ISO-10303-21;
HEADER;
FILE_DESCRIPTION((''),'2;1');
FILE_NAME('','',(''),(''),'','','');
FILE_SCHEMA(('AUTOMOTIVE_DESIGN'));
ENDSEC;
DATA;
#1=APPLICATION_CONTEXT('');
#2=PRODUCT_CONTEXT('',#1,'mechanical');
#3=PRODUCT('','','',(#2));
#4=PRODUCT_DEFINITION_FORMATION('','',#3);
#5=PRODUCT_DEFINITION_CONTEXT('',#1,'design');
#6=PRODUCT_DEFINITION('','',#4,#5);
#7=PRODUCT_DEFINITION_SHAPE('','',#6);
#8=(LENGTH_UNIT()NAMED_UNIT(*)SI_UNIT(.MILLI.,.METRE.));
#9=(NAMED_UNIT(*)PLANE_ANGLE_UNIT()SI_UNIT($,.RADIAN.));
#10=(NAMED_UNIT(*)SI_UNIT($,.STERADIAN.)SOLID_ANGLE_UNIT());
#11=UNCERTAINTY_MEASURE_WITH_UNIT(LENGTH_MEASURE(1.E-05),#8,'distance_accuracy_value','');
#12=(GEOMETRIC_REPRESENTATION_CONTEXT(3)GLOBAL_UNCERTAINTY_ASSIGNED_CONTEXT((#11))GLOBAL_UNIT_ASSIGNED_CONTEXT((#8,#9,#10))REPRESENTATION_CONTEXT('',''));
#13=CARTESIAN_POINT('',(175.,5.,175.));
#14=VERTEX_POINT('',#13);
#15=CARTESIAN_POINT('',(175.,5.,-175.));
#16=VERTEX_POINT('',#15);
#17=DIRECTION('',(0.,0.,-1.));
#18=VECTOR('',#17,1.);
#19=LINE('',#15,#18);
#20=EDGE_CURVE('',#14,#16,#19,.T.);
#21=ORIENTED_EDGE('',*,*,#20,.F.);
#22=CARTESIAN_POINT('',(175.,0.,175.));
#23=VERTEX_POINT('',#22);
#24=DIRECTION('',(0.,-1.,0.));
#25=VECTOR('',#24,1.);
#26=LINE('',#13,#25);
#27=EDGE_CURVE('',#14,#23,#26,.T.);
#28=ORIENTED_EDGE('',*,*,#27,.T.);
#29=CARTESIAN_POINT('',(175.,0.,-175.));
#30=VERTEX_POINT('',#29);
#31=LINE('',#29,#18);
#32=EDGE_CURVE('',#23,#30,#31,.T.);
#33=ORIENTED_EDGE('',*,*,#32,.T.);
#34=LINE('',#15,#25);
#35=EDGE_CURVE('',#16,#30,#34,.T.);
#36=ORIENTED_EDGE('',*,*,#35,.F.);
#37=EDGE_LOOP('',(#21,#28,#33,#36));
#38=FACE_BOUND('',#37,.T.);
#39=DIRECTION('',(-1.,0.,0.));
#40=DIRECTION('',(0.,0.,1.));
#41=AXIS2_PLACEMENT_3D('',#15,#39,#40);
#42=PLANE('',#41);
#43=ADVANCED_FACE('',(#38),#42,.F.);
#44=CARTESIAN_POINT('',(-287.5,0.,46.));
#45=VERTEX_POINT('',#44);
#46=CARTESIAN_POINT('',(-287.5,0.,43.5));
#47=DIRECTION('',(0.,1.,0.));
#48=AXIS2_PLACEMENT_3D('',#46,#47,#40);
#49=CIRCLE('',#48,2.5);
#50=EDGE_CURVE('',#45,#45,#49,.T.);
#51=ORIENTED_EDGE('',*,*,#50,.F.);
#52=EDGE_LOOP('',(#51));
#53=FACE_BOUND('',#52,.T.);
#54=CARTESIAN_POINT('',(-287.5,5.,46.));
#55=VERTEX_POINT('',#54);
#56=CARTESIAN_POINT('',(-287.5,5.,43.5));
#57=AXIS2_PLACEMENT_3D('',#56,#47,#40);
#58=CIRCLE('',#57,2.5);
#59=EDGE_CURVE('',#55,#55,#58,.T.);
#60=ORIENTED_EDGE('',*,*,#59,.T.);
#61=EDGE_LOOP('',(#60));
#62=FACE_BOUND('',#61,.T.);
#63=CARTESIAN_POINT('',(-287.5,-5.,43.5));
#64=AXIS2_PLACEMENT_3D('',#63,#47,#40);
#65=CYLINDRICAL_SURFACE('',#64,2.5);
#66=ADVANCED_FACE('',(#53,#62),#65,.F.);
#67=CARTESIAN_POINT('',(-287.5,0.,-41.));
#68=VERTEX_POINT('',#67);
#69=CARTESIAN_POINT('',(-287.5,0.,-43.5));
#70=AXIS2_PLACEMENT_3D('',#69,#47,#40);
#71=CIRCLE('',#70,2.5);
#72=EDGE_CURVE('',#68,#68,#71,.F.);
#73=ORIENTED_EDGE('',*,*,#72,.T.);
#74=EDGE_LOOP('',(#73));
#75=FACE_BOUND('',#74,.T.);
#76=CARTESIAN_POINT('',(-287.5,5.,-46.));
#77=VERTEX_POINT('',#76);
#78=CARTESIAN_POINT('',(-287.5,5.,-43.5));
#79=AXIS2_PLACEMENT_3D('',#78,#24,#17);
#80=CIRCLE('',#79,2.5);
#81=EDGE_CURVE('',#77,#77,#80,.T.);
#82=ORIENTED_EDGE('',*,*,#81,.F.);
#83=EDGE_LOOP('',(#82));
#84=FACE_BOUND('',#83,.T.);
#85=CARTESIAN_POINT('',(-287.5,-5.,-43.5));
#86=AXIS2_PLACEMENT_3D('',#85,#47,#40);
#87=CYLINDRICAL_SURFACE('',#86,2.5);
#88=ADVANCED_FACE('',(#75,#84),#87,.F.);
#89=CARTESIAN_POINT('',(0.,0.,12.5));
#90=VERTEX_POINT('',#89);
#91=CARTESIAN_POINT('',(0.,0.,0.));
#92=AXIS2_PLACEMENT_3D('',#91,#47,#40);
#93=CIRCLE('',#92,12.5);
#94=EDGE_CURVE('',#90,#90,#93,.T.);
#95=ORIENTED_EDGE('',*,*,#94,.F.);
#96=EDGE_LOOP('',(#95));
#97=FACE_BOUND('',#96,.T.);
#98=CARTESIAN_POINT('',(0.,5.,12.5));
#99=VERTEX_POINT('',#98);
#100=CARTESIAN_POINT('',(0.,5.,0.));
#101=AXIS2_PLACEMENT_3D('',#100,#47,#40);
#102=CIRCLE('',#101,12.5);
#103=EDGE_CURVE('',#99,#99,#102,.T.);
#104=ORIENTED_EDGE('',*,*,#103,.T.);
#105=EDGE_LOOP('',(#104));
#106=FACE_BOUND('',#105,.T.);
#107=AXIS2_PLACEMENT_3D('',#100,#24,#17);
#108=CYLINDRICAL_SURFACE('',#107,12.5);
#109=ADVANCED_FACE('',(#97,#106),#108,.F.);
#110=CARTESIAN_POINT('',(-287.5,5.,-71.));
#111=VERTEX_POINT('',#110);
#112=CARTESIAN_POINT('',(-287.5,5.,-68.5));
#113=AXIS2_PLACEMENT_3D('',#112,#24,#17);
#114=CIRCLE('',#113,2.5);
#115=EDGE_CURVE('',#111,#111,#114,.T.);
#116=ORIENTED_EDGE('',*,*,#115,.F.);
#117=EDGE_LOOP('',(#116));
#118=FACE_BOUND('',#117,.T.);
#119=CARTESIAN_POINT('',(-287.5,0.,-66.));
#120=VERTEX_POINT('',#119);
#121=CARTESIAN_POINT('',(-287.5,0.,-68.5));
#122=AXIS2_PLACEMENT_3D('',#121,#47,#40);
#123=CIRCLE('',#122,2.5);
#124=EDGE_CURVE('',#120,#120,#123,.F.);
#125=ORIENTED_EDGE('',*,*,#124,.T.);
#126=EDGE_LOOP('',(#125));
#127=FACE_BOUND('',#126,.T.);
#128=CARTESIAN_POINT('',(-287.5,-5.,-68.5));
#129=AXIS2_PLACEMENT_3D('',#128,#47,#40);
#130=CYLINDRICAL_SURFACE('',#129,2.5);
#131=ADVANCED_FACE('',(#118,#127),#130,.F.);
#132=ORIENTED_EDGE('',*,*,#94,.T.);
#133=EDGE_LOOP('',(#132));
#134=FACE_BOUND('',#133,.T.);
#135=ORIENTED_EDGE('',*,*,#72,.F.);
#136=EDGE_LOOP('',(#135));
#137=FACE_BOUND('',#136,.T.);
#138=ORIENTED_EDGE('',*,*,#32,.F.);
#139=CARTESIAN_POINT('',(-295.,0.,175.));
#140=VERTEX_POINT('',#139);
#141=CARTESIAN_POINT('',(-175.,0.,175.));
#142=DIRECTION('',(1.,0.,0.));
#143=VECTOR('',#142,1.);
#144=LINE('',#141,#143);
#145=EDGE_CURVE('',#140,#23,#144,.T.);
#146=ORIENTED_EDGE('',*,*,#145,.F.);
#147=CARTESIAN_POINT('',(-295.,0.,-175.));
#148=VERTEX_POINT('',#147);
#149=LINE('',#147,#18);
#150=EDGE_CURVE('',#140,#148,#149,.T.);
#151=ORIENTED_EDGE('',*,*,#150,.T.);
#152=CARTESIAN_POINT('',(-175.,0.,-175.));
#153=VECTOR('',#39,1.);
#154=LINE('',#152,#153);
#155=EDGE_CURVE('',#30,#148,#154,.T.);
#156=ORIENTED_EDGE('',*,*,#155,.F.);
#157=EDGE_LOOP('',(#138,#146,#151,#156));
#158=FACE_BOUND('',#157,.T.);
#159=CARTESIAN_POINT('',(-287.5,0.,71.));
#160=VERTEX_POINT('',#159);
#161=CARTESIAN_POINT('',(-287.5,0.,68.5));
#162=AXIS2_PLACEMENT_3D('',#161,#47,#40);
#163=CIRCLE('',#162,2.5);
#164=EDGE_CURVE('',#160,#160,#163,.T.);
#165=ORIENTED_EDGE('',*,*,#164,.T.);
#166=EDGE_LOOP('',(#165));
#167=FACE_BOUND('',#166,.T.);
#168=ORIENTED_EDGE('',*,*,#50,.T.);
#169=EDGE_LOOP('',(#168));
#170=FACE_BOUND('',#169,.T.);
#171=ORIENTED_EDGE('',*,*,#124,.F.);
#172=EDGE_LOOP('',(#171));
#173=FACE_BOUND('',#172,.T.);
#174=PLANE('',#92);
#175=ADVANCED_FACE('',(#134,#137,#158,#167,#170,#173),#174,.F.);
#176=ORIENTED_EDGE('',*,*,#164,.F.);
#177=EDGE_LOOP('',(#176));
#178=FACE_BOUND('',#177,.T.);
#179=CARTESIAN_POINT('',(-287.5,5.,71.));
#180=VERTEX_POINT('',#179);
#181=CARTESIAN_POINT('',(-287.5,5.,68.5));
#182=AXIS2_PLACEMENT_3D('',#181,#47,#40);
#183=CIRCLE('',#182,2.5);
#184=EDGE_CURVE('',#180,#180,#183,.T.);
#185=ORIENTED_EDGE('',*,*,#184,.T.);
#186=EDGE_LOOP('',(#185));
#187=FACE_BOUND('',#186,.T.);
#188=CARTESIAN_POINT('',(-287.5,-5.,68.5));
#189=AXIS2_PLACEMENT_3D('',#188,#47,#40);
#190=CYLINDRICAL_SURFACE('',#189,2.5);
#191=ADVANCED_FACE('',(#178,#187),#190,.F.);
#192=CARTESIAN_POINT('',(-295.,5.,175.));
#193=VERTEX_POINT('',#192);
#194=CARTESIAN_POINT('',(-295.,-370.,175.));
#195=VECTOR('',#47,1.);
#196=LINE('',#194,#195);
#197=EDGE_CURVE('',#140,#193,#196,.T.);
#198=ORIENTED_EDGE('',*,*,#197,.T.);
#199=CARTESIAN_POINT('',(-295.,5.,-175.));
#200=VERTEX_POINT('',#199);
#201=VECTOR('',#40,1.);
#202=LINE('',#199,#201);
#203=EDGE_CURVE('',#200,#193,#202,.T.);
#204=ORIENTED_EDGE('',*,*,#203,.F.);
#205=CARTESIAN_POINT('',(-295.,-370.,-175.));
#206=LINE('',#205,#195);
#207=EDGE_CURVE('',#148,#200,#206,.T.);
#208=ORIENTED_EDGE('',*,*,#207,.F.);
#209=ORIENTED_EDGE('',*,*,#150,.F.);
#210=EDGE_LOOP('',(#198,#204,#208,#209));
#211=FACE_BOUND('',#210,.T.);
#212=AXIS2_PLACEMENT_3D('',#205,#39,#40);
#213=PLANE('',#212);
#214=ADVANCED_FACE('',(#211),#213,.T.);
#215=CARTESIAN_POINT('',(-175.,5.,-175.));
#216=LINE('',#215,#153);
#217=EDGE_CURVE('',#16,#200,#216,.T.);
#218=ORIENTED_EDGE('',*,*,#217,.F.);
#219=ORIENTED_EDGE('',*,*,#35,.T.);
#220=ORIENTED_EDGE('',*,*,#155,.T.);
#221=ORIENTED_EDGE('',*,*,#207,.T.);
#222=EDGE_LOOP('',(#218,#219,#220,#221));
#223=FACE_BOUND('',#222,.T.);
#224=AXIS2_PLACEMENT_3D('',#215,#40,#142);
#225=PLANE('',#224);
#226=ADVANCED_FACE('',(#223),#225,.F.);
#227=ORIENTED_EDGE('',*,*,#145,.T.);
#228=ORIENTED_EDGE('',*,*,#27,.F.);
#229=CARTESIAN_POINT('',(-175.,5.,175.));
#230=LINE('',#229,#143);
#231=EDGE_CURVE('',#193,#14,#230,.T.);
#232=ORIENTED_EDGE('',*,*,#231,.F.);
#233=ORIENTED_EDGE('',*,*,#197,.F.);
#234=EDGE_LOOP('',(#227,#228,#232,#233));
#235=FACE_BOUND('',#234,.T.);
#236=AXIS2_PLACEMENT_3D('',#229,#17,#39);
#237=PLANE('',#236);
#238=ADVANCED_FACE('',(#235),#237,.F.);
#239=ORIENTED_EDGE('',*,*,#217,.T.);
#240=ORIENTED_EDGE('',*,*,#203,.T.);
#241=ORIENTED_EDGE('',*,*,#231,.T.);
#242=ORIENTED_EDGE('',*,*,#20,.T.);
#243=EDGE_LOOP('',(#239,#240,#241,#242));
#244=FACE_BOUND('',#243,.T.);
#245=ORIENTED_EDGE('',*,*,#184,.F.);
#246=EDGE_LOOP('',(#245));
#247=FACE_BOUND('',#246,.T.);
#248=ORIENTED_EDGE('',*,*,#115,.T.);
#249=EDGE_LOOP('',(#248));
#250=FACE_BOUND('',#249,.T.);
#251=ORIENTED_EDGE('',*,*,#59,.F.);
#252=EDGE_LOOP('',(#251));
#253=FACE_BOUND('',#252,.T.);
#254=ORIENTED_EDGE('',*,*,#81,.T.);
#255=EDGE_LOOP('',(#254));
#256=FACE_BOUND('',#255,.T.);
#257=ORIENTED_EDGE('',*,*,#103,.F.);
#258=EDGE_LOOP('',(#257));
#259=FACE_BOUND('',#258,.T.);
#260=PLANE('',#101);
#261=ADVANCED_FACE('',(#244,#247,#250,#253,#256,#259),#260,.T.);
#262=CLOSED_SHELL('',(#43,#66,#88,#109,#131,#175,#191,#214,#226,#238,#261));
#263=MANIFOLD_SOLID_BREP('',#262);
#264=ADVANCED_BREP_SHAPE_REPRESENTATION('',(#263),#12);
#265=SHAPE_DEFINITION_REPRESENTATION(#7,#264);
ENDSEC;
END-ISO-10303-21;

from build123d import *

# Parameters (mm, degrees)
SKETCH6_W           = 350
SKETCH6_H           = 350
SKETCH6_R           = 12.5
BOSS_EXTRUDE1_DEPTH = 5
SKETCH7_W           = 120
SKETCH7_H           = 350
BOSS_EXTRUDE2_DEPTH = 5
SKETCH8_R           = 2.5
CUT_EXTRUDE1_DEPTH  = 10


with BuildPart() as part:
    # Sketch6 → Boss-Extrude1 (new body)
    with BuildSketch(Plane(origin=(0, 0, 0), x_dir=(1, 0, 0), z_dir=(0, 1, 0))):
        Rectangle(SKETCH6_W, SKETCH6_H)
        with Locations(Location((0, 0, 0), (0, 0, 270))):
            Circle(SKETCH6_R, mode=Mode.SUBTRACT)
    extrude(amount=BOSS_EXTRUDE1_DEPTH)

    # Sketch7 → Boss-Extrude2 (add)
    with BuildSketch(Plane(origin=(0, 5, 0), x_dir=(1, 0, 0), z_dir=(0, 1, 0))):
        with Locations((-235, 0)):
            Rectangle(SKETCH7_W, SKETCH7_H)
    extrude(amount=-BOSS_EXTRUDE2_DEPTH)

    # Sketch8 → Cut-Extrude1 (cut)
    with BuildSketch(Plane(origin=(0, 5, 0), x_dir=(1, 0, 0), z_dir=(0, 1, 0))):
        with Locations(Location((-287.5, -43.500000153, 0), (0, 0, 270))):
            Circle(SKETCH8_R)
        with Locations(Location((-287.5, -68.500000153, 0), (0, 0, 270))):
            Circle(SKETCH8_R)
        with Locations(Location((-287.5, 68.500000153, 0), (0, 0, 270))):
            Circle(SKETCH8_R)
        with Locations(Location((-287.5, 43.500000153, 0), (0, 0, 270))):
            Circle(SKETCH8_R)
    extrude(amount=-CUT_EXTRUDE1_DEPTH, mode=Mode.SUBTRACT)


solid = part.part
